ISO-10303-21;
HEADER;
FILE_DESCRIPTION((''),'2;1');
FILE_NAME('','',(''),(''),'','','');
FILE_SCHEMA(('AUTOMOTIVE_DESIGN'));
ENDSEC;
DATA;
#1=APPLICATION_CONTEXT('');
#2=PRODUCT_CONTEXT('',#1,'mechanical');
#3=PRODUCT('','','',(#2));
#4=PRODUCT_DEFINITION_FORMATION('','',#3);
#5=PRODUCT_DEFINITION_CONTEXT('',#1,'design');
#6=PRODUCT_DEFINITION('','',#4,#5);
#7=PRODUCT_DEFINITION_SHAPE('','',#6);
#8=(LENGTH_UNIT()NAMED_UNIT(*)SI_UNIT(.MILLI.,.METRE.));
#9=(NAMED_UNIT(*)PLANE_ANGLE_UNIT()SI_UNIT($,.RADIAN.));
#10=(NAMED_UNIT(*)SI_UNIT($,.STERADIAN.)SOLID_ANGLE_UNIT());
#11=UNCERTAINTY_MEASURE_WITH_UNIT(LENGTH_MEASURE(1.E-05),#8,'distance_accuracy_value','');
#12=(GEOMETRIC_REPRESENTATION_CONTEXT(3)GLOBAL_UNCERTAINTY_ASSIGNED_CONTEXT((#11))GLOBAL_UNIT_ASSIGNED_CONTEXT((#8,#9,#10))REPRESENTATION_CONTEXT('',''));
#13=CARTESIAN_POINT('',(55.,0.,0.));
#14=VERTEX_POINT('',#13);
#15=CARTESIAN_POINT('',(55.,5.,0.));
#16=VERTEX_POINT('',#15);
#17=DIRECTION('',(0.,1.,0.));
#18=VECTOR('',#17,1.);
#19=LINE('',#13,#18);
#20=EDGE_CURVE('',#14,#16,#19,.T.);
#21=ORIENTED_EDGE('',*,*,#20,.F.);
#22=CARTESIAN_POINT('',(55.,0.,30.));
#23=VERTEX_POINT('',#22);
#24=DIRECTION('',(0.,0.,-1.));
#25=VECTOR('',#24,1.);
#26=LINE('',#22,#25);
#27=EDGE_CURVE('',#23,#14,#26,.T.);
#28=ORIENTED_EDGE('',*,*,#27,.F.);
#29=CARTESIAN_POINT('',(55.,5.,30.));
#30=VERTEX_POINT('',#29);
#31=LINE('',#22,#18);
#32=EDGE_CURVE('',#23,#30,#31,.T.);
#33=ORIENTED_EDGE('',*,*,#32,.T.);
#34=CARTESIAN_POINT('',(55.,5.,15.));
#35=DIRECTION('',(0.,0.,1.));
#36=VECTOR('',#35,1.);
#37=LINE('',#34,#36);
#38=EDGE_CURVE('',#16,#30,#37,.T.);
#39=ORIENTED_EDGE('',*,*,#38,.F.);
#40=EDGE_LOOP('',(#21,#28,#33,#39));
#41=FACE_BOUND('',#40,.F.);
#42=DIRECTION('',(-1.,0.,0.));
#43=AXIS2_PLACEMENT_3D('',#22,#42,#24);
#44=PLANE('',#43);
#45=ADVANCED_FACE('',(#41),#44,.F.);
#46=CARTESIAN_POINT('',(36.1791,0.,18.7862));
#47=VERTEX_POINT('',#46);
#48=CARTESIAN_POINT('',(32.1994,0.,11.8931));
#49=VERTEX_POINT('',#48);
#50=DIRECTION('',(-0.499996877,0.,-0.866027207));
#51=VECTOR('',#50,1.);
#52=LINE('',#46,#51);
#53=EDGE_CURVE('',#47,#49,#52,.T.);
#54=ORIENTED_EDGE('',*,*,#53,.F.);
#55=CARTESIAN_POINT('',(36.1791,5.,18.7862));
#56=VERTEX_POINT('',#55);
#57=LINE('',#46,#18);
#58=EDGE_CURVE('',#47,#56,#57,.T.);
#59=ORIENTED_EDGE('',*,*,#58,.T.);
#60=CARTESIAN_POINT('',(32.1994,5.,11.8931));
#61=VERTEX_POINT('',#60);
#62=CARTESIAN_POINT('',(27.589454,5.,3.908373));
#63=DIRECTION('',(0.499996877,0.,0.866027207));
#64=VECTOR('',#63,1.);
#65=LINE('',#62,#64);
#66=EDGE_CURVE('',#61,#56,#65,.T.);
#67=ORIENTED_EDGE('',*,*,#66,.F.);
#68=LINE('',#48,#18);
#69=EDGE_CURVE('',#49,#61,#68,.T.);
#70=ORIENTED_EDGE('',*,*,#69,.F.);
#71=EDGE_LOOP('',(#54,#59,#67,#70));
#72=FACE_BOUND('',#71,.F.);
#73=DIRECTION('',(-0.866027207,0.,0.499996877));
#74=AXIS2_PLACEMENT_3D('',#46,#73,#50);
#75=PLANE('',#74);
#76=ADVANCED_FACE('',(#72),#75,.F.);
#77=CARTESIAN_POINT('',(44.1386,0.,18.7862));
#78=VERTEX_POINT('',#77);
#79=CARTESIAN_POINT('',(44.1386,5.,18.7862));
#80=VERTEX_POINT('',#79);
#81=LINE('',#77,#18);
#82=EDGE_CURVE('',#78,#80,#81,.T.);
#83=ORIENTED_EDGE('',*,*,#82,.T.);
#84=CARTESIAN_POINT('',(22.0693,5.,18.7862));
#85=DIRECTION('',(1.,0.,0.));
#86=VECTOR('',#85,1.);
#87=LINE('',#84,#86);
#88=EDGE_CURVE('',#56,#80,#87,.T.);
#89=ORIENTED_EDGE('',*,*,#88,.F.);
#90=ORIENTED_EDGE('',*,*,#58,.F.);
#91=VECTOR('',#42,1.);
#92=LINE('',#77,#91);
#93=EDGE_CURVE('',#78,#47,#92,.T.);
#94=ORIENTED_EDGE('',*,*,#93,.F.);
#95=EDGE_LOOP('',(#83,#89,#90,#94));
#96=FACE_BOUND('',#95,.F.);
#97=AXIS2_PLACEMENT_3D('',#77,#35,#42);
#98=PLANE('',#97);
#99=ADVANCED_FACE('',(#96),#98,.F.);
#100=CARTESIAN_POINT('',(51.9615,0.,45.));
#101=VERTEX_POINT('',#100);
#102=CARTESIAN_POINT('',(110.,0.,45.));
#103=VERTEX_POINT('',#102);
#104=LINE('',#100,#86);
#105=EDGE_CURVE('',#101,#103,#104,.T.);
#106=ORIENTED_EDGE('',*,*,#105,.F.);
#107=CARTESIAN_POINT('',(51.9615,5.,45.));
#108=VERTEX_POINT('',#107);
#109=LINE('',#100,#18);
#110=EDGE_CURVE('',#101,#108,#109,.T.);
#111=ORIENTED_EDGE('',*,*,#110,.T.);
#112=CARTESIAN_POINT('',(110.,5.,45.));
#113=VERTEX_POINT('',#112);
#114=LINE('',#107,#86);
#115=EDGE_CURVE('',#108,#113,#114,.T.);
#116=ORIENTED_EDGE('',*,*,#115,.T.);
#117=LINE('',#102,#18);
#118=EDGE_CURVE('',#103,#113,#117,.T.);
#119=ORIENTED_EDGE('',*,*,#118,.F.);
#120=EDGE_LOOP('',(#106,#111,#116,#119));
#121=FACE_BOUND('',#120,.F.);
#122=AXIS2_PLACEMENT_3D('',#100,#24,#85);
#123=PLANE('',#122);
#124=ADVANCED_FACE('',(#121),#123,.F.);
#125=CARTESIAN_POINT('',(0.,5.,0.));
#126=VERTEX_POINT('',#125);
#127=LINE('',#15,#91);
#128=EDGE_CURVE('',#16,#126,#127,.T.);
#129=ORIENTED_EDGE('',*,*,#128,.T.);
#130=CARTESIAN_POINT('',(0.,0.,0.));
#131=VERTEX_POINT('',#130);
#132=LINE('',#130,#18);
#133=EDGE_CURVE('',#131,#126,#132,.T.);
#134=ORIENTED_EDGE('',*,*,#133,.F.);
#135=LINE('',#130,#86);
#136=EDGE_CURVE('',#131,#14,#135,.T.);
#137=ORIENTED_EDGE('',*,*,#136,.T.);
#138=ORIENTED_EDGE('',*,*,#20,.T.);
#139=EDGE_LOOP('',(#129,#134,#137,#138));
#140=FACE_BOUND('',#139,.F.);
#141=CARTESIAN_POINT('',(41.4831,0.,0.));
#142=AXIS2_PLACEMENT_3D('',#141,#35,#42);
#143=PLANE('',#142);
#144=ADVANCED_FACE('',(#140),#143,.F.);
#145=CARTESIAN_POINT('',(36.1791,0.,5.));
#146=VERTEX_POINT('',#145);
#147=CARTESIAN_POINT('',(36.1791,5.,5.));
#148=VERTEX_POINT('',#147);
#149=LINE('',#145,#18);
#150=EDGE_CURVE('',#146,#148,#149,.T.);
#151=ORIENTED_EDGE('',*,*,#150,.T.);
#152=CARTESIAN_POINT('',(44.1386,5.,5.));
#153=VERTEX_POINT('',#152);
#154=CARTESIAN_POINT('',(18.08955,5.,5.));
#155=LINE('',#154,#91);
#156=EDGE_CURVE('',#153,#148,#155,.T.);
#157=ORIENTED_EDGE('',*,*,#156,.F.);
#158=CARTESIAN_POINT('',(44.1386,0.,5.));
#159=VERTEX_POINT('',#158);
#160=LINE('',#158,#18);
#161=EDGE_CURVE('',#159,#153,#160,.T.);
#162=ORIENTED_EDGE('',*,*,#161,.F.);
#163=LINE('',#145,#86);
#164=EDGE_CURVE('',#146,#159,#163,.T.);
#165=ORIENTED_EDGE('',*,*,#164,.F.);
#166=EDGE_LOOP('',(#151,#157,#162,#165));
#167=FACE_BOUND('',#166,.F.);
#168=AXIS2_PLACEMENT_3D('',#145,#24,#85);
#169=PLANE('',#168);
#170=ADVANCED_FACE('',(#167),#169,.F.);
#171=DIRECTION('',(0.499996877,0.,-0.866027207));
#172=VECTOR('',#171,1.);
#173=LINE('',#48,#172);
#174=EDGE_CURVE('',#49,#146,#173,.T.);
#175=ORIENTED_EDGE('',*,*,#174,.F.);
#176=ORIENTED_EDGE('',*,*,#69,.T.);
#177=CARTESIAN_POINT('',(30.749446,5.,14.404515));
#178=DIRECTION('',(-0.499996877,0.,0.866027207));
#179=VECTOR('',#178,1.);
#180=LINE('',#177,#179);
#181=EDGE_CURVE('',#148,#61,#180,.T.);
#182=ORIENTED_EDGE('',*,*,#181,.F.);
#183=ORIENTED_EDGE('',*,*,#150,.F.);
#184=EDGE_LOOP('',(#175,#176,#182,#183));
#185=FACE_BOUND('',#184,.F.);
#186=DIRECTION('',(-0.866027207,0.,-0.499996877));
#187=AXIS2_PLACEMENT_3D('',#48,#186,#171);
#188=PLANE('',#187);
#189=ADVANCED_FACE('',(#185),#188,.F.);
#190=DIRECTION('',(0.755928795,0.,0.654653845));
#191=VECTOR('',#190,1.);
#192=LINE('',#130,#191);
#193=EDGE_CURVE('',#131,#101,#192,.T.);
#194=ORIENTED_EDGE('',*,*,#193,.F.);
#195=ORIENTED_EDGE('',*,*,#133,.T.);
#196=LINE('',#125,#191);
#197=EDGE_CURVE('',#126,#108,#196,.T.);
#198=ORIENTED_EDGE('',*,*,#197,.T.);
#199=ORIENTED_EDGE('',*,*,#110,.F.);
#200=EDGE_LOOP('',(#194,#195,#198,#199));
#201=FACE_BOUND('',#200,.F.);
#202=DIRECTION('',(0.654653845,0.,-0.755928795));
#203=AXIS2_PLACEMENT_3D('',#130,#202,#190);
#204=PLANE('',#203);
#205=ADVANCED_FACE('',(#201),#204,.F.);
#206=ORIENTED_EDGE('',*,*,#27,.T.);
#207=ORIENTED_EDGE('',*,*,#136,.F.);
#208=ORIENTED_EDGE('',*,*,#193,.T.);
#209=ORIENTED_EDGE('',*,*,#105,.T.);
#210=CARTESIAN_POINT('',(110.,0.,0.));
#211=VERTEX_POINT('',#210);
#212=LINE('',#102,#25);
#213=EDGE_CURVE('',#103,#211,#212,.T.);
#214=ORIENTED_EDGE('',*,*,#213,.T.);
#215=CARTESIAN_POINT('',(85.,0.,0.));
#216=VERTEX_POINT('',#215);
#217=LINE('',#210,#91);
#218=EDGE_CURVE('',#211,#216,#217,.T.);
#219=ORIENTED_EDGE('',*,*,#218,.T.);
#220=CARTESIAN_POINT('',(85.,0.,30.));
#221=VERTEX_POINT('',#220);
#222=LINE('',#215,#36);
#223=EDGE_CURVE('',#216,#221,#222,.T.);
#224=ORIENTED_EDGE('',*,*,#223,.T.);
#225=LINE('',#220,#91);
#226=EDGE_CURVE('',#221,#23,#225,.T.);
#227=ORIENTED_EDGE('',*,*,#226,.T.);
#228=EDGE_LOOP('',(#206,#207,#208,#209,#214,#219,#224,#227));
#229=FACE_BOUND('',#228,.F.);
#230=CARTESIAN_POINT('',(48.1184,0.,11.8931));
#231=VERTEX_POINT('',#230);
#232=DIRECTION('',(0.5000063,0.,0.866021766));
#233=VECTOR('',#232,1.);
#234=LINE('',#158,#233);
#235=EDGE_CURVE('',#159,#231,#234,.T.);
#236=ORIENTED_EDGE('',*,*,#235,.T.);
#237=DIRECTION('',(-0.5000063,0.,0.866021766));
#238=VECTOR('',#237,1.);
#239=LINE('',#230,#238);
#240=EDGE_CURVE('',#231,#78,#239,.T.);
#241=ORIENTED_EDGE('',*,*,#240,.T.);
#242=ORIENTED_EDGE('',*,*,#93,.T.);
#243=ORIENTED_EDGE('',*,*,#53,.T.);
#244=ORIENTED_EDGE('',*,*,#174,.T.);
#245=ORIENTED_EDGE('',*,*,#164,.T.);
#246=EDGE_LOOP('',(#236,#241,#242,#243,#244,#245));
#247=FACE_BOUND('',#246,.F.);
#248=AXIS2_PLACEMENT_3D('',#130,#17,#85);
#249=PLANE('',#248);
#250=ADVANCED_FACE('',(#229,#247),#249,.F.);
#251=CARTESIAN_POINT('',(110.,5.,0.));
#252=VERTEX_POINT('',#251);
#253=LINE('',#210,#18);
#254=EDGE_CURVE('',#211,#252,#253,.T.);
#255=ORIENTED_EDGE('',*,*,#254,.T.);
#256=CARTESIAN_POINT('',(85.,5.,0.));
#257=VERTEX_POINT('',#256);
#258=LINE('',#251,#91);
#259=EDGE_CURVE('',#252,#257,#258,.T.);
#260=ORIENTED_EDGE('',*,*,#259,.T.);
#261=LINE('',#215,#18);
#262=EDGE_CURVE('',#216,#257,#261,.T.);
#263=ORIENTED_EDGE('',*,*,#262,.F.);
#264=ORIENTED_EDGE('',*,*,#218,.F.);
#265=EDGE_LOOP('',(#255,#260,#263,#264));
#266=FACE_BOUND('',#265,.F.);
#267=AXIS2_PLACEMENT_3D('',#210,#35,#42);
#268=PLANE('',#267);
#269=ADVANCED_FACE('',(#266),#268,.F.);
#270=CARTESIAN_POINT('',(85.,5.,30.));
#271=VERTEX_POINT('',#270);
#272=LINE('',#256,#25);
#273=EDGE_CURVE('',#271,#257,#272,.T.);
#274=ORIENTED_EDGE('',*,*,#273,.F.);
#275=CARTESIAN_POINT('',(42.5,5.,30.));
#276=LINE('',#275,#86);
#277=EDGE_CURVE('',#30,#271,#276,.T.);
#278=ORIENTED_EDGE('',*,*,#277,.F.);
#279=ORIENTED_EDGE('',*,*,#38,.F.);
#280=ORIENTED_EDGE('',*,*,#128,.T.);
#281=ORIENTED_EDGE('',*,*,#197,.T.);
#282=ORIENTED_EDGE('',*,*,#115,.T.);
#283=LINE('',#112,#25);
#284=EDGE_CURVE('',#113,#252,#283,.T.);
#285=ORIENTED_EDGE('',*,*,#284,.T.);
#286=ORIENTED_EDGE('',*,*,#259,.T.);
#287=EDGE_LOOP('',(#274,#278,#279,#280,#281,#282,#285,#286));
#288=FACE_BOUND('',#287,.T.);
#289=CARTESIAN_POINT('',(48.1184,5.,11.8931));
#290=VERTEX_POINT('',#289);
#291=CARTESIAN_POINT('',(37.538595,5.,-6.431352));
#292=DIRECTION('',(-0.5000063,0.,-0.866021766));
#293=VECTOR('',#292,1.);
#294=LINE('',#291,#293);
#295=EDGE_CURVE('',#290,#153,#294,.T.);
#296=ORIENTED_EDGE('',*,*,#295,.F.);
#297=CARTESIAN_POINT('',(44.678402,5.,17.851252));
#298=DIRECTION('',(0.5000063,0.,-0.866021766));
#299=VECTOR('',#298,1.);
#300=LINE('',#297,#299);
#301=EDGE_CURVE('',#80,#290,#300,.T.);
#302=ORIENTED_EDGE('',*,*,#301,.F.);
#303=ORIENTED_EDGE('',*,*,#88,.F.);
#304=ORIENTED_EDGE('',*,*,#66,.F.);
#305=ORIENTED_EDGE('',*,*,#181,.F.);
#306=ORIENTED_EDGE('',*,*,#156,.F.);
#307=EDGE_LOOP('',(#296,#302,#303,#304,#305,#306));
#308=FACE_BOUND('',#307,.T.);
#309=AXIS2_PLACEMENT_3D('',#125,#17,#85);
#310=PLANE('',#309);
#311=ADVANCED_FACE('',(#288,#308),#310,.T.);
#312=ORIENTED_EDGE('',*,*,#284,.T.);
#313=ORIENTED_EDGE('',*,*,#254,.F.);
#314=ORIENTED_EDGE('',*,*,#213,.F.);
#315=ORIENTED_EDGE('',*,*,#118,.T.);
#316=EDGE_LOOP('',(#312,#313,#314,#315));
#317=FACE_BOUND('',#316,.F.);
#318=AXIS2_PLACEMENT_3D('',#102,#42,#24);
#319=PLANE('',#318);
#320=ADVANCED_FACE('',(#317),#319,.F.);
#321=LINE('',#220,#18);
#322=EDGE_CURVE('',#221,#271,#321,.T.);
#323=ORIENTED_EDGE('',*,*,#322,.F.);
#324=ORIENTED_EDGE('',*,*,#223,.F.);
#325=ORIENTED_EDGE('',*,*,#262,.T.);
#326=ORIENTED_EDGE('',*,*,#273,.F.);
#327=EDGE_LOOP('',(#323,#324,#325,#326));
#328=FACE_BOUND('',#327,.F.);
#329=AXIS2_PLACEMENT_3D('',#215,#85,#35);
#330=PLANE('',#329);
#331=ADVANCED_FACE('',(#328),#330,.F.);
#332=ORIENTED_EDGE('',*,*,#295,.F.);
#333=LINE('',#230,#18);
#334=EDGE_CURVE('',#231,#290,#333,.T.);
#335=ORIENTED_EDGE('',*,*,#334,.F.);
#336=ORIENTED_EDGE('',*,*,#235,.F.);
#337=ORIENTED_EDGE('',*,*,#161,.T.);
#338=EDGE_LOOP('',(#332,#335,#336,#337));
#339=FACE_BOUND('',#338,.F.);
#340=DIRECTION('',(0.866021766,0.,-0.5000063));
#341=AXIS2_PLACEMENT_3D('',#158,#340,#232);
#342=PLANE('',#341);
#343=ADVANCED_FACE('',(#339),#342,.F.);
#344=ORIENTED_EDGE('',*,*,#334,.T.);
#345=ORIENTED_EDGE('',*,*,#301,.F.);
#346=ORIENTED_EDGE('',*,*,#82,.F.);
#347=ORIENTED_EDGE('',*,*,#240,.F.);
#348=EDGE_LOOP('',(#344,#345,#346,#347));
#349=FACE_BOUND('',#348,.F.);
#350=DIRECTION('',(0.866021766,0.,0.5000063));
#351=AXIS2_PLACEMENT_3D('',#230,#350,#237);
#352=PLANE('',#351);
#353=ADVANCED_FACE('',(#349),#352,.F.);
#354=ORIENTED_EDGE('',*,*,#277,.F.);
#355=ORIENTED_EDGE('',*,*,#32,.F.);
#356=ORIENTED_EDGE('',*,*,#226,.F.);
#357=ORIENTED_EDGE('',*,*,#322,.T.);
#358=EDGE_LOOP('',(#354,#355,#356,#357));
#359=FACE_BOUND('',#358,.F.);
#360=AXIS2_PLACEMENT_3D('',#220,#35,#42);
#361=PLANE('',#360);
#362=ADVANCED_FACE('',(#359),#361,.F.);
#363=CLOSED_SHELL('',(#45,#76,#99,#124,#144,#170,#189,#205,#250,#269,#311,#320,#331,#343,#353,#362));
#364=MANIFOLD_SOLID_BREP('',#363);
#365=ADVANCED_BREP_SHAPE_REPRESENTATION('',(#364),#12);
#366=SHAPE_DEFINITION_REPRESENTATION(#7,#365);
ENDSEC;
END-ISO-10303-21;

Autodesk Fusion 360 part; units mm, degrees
sketch "Sketch1" plane through (0, 0, 0) normal (0, 1, 0) x (1, 0, 0)
  line L0 (110, 0) -> (41.4831, 0)
  line L1 (51.9615, -45) -> (110, -45)
  line L2 (110, -45) -> (110, 0)
  line L3 (41.4831, 0) -> (0, 0)
  line L4 (0, 0) -> (51.9615, -45)
  dimension "d1" = 110
  dimension "d2" = 45
  dimension "d4" = 58.0385
extrude "Extrude1" add sketch "Sketch1" along normal blind 5
sketch "Sketch2" plane through (0, 0, 0) normal (0, -1, 0) x (1, 0, 0)
  line L0 (51.9615, 45) -> (0, 0)
  line L1 (0, 0) -> (110, 0)
  line L2 (110, 0) -> (110, 45)
  line L3 (110, 45) -> (51.9615, 45)
  line L4 (55, 0) -> (85, 0)
  line L5 (85, 0) -> (85, 30)
  line L6 (85, 30) -> (55, 30)
  line L7 (55, 30) -> (55, 0)
  line L8 (44.1386, 5) -> (48.1184, 11.8931)
  line L9 (48.1184, 11.8931) -> (44.1386, 18.7862)
  line L10 (44.1386, 18.7862) -> (36.1791, 18.7862)
  line L11 (36.1791, 18.7862) -> (32.1994, 11.8931)
  line L12 (32.1994, 11.8931) -> (36.1791, 5)
  line L13 (36.1791, 5) -> (44.1386, 5)
  point P0 (40.1589, 11.8931)
  dimension "d8" = 25
  dimension "d9" = 15
  dimension "d11" = 5
extrude "Extrude2" cut sketch "Sketch2" against normal through all contours L1 L4 L5 L6 L7
extrude "Extrude3" cut sketch "Sketch2" against normal through all contours L8 L9 L10 L11 L12 L13
